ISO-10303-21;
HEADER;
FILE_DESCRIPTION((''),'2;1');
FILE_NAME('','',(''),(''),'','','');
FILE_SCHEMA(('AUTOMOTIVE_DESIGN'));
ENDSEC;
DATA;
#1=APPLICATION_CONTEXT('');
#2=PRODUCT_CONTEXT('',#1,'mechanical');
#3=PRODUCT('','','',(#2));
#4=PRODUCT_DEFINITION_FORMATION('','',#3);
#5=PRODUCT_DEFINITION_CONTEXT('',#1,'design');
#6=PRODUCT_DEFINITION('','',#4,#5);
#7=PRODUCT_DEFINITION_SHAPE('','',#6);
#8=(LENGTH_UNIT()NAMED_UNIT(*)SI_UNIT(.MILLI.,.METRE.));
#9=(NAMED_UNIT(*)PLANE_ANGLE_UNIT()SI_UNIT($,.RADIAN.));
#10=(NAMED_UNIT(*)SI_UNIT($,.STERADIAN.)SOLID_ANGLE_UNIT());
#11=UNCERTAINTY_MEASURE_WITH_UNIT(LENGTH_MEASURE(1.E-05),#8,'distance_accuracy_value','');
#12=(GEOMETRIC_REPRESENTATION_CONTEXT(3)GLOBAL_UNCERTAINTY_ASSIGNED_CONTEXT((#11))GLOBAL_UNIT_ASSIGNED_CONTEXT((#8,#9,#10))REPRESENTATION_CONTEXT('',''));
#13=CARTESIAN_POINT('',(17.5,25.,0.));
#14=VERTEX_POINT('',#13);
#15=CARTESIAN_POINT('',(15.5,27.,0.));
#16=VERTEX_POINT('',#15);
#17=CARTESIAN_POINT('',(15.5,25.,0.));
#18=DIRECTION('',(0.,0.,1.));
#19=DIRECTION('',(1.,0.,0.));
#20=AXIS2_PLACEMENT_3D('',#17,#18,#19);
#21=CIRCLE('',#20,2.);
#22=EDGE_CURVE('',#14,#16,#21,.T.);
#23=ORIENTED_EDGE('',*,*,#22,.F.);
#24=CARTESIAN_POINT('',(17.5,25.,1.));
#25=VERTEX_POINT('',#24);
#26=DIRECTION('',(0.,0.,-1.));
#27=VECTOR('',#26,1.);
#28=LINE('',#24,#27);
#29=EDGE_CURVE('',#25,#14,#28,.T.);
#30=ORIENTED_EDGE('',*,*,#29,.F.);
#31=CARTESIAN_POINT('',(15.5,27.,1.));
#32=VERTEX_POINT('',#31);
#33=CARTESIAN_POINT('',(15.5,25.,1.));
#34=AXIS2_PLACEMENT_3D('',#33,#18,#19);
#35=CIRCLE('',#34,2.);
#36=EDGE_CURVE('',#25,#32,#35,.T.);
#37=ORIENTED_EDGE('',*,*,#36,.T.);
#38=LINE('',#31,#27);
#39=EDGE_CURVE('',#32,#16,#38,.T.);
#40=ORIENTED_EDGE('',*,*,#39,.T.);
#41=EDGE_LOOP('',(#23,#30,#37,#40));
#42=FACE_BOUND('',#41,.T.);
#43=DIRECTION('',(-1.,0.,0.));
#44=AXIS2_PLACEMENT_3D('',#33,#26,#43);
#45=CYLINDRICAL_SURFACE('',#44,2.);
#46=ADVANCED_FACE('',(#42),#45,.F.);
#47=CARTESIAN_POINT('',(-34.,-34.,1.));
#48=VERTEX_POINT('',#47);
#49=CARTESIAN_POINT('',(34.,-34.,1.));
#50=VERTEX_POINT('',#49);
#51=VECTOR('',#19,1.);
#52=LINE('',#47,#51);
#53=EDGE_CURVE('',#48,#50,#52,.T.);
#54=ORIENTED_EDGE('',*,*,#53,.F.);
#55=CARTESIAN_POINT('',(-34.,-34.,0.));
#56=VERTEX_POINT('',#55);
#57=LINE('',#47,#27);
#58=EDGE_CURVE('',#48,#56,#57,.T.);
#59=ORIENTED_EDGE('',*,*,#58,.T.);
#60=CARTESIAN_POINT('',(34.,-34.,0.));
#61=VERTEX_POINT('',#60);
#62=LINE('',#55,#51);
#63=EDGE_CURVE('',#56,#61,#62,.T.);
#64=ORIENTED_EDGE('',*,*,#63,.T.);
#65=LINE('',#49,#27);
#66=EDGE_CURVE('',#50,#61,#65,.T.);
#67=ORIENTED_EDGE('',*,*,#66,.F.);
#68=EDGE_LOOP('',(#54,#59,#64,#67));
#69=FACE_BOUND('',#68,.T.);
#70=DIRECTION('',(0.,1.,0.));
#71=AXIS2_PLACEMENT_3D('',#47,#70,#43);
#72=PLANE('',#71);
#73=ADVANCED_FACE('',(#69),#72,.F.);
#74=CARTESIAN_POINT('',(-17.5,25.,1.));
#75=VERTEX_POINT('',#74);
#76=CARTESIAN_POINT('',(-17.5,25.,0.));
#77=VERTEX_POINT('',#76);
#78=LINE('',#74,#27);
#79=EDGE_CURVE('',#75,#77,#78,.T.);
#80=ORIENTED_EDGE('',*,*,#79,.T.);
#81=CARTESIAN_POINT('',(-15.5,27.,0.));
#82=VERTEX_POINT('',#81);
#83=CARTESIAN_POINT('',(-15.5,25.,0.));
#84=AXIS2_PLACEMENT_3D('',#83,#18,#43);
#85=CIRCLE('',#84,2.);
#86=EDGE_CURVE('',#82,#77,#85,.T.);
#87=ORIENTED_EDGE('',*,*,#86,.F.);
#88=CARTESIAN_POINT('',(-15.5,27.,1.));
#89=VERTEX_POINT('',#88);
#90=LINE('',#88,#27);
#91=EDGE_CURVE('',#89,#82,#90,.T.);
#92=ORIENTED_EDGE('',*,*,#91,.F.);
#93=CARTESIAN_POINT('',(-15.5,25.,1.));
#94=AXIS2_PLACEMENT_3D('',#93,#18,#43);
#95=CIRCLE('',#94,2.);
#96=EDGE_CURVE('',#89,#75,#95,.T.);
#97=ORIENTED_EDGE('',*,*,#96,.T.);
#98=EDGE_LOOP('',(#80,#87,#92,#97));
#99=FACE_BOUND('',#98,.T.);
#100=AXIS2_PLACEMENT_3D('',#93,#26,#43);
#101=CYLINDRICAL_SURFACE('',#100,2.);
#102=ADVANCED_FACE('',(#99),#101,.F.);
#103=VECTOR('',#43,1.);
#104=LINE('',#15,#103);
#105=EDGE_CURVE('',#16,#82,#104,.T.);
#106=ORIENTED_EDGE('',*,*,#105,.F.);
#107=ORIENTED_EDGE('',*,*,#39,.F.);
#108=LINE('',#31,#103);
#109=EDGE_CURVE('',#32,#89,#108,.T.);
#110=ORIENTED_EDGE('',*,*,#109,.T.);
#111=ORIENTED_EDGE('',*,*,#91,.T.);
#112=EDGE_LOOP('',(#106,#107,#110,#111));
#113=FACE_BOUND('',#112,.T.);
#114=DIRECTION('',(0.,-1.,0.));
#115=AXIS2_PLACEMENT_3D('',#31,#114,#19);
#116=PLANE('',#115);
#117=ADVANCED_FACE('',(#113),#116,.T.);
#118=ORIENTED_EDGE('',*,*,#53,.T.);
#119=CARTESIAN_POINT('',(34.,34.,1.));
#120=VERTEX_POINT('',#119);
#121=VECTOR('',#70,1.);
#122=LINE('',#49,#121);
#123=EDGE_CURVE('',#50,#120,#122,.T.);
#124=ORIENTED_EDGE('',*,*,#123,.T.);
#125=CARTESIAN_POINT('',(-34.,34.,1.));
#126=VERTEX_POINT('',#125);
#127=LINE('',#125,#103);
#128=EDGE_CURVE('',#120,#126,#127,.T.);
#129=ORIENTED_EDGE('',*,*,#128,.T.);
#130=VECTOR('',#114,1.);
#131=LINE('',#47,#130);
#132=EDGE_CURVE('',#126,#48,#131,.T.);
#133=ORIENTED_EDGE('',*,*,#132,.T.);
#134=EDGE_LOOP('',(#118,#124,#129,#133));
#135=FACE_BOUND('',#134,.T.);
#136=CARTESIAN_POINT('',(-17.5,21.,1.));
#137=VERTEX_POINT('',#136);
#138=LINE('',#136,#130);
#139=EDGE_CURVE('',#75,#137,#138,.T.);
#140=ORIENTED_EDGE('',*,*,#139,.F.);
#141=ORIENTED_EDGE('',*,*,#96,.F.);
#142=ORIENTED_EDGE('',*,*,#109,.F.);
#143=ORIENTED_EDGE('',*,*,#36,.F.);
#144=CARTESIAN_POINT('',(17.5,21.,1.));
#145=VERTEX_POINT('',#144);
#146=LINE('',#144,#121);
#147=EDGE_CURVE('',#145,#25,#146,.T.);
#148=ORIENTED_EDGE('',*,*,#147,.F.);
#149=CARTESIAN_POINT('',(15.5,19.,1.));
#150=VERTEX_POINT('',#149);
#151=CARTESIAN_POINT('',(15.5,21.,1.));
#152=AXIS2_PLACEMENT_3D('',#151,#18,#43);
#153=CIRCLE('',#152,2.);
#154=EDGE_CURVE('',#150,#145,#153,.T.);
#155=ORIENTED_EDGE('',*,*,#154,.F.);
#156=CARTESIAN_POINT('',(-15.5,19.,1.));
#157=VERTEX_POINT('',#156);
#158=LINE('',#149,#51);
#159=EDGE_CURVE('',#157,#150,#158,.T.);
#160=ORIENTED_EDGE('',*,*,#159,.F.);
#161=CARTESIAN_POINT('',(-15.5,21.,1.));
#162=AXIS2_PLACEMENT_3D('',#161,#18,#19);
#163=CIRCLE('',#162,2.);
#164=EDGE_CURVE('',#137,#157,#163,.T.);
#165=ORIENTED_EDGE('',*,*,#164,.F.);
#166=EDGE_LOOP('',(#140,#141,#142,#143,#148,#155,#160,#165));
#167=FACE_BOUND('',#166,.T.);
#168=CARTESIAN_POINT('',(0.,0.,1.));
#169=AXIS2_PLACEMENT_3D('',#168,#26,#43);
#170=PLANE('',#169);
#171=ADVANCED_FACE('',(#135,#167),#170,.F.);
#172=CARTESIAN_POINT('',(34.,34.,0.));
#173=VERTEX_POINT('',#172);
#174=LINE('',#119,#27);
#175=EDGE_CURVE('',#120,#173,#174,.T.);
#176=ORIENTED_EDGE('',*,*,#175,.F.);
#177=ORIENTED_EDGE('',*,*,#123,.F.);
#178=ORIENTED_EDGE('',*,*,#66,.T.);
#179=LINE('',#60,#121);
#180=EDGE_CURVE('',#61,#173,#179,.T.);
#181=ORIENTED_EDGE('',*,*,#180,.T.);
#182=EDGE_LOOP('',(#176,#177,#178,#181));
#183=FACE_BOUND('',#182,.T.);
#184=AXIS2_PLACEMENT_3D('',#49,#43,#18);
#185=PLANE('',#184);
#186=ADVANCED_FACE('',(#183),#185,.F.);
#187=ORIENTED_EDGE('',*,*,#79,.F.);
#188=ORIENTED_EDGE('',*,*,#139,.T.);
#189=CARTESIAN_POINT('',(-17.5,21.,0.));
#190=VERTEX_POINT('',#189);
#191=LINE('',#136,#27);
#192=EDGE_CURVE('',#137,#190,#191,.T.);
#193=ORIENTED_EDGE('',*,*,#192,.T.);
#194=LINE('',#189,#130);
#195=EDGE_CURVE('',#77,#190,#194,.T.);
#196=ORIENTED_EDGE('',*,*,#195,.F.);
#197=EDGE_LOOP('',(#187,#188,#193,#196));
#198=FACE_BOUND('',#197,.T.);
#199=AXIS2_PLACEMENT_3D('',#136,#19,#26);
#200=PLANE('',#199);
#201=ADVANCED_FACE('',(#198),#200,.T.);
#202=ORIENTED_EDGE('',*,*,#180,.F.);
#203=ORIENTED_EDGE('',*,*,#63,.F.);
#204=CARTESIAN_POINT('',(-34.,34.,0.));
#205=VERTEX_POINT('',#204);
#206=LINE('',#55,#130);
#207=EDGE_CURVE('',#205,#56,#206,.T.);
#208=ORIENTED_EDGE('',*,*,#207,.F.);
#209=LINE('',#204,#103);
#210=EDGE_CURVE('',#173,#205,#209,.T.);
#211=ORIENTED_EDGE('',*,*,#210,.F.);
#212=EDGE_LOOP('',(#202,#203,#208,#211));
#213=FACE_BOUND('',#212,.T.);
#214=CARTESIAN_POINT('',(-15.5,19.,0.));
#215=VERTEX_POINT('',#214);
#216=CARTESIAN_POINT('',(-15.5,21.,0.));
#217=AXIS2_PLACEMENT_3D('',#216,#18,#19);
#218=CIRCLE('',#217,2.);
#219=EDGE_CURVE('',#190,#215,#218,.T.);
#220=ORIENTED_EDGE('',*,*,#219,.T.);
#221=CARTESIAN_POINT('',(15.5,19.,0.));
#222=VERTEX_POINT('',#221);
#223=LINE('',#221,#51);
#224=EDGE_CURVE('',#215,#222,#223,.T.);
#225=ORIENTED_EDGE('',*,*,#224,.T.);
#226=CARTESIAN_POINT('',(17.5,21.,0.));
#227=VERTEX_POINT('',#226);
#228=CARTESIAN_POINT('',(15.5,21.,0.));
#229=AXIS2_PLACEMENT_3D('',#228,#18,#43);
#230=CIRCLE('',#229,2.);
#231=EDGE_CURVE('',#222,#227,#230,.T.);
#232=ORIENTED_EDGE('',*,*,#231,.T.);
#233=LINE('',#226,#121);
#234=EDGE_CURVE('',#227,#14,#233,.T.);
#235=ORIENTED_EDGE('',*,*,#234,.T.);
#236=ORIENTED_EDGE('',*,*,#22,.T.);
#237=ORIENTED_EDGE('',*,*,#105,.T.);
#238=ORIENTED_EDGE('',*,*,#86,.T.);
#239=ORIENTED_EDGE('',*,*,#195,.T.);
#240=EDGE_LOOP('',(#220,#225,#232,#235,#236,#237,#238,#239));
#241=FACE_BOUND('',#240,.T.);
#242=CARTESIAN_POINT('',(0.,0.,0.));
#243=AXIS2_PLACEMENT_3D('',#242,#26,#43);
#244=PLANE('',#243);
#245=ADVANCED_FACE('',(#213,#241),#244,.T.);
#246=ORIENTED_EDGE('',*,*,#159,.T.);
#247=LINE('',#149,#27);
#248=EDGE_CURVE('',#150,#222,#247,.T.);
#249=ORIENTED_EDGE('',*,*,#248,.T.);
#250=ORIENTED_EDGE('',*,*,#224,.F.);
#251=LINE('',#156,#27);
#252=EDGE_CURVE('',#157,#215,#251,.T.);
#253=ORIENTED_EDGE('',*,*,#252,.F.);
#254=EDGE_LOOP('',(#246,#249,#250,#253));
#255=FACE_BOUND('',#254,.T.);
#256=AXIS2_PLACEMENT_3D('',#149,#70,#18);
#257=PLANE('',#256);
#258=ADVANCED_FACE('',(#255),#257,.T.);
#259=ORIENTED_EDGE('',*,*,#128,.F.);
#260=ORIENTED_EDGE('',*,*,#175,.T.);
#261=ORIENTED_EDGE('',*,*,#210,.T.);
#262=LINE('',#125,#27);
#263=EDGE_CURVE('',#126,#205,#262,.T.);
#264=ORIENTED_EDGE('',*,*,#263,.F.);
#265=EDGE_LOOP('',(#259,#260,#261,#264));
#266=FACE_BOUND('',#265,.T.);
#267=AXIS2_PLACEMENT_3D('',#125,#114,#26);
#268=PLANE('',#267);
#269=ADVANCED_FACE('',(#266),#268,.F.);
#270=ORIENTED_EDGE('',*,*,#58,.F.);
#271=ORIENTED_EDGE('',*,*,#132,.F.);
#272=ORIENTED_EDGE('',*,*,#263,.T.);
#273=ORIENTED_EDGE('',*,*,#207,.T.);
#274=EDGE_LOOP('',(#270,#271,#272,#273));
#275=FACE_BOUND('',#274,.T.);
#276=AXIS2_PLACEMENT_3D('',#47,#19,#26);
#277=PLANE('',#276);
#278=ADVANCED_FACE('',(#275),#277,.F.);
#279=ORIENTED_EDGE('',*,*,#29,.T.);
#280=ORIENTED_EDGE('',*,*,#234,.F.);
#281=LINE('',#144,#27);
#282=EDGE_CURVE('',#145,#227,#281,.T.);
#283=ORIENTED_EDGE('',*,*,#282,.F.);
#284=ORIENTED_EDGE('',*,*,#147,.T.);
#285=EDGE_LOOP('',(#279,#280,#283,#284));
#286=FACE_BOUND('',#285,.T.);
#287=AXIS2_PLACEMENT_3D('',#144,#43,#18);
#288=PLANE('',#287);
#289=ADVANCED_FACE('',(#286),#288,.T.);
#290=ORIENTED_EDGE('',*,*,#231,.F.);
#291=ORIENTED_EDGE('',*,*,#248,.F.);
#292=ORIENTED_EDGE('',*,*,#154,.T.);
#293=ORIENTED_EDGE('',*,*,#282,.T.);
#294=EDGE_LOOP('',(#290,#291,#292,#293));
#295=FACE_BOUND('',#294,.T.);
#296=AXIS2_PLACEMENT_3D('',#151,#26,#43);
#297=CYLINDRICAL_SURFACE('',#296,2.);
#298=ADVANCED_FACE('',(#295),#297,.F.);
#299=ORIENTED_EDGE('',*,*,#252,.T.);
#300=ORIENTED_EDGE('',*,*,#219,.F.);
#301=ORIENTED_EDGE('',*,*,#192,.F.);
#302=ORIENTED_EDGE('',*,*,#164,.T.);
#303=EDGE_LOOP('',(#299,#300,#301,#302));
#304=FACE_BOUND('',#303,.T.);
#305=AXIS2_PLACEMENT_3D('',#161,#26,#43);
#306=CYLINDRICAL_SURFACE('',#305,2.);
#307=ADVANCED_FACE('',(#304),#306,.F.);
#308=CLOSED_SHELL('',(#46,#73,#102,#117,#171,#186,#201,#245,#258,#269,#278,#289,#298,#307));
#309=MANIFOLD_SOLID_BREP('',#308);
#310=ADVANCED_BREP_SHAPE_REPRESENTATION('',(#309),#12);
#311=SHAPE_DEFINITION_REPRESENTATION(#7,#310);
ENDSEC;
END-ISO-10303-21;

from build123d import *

# Parameters (mm, degrees)
SKETCH_1_W      = 68
SKETCH_1_H      = 68
EXTRUDE_1_DEPTH = 1


with BuildPart() as part:
    # 草图1 → 凸台-拉伸1 (new body)
    with BuildSketch(Plane.XY):
        Rectangle(SKETCH_1_W, SKETCH_1_H)
        with BuildLine():
            Line((15.5, 19), (-15.5, 19))
            ThreePointArc((-15.5, 19), (-16.914213562, 19.585786438), (-17.5, 21))
            Line((-17.5, 21), (-17.5, 25))
            ThreePointArc((-17.5, 25), (-16.914213562, 26.414213562), (-15.5, 27))
            Line((-15.5, 27), (15.5, 27))
            ThreePointArc((15.5, 27), (16.914213562, 26.414213562), (17.5, 25))
            Line((17.5, 25), (17.5, 21))
            ThreePointArc((17.5, 21), (16.914213562, 19.585786438), (15.5, 19))
        make_face(mode=Mode.SUBTRACT)
    extrude(amount=EXTRUDE_1_DEPTH)


solid = part.part
